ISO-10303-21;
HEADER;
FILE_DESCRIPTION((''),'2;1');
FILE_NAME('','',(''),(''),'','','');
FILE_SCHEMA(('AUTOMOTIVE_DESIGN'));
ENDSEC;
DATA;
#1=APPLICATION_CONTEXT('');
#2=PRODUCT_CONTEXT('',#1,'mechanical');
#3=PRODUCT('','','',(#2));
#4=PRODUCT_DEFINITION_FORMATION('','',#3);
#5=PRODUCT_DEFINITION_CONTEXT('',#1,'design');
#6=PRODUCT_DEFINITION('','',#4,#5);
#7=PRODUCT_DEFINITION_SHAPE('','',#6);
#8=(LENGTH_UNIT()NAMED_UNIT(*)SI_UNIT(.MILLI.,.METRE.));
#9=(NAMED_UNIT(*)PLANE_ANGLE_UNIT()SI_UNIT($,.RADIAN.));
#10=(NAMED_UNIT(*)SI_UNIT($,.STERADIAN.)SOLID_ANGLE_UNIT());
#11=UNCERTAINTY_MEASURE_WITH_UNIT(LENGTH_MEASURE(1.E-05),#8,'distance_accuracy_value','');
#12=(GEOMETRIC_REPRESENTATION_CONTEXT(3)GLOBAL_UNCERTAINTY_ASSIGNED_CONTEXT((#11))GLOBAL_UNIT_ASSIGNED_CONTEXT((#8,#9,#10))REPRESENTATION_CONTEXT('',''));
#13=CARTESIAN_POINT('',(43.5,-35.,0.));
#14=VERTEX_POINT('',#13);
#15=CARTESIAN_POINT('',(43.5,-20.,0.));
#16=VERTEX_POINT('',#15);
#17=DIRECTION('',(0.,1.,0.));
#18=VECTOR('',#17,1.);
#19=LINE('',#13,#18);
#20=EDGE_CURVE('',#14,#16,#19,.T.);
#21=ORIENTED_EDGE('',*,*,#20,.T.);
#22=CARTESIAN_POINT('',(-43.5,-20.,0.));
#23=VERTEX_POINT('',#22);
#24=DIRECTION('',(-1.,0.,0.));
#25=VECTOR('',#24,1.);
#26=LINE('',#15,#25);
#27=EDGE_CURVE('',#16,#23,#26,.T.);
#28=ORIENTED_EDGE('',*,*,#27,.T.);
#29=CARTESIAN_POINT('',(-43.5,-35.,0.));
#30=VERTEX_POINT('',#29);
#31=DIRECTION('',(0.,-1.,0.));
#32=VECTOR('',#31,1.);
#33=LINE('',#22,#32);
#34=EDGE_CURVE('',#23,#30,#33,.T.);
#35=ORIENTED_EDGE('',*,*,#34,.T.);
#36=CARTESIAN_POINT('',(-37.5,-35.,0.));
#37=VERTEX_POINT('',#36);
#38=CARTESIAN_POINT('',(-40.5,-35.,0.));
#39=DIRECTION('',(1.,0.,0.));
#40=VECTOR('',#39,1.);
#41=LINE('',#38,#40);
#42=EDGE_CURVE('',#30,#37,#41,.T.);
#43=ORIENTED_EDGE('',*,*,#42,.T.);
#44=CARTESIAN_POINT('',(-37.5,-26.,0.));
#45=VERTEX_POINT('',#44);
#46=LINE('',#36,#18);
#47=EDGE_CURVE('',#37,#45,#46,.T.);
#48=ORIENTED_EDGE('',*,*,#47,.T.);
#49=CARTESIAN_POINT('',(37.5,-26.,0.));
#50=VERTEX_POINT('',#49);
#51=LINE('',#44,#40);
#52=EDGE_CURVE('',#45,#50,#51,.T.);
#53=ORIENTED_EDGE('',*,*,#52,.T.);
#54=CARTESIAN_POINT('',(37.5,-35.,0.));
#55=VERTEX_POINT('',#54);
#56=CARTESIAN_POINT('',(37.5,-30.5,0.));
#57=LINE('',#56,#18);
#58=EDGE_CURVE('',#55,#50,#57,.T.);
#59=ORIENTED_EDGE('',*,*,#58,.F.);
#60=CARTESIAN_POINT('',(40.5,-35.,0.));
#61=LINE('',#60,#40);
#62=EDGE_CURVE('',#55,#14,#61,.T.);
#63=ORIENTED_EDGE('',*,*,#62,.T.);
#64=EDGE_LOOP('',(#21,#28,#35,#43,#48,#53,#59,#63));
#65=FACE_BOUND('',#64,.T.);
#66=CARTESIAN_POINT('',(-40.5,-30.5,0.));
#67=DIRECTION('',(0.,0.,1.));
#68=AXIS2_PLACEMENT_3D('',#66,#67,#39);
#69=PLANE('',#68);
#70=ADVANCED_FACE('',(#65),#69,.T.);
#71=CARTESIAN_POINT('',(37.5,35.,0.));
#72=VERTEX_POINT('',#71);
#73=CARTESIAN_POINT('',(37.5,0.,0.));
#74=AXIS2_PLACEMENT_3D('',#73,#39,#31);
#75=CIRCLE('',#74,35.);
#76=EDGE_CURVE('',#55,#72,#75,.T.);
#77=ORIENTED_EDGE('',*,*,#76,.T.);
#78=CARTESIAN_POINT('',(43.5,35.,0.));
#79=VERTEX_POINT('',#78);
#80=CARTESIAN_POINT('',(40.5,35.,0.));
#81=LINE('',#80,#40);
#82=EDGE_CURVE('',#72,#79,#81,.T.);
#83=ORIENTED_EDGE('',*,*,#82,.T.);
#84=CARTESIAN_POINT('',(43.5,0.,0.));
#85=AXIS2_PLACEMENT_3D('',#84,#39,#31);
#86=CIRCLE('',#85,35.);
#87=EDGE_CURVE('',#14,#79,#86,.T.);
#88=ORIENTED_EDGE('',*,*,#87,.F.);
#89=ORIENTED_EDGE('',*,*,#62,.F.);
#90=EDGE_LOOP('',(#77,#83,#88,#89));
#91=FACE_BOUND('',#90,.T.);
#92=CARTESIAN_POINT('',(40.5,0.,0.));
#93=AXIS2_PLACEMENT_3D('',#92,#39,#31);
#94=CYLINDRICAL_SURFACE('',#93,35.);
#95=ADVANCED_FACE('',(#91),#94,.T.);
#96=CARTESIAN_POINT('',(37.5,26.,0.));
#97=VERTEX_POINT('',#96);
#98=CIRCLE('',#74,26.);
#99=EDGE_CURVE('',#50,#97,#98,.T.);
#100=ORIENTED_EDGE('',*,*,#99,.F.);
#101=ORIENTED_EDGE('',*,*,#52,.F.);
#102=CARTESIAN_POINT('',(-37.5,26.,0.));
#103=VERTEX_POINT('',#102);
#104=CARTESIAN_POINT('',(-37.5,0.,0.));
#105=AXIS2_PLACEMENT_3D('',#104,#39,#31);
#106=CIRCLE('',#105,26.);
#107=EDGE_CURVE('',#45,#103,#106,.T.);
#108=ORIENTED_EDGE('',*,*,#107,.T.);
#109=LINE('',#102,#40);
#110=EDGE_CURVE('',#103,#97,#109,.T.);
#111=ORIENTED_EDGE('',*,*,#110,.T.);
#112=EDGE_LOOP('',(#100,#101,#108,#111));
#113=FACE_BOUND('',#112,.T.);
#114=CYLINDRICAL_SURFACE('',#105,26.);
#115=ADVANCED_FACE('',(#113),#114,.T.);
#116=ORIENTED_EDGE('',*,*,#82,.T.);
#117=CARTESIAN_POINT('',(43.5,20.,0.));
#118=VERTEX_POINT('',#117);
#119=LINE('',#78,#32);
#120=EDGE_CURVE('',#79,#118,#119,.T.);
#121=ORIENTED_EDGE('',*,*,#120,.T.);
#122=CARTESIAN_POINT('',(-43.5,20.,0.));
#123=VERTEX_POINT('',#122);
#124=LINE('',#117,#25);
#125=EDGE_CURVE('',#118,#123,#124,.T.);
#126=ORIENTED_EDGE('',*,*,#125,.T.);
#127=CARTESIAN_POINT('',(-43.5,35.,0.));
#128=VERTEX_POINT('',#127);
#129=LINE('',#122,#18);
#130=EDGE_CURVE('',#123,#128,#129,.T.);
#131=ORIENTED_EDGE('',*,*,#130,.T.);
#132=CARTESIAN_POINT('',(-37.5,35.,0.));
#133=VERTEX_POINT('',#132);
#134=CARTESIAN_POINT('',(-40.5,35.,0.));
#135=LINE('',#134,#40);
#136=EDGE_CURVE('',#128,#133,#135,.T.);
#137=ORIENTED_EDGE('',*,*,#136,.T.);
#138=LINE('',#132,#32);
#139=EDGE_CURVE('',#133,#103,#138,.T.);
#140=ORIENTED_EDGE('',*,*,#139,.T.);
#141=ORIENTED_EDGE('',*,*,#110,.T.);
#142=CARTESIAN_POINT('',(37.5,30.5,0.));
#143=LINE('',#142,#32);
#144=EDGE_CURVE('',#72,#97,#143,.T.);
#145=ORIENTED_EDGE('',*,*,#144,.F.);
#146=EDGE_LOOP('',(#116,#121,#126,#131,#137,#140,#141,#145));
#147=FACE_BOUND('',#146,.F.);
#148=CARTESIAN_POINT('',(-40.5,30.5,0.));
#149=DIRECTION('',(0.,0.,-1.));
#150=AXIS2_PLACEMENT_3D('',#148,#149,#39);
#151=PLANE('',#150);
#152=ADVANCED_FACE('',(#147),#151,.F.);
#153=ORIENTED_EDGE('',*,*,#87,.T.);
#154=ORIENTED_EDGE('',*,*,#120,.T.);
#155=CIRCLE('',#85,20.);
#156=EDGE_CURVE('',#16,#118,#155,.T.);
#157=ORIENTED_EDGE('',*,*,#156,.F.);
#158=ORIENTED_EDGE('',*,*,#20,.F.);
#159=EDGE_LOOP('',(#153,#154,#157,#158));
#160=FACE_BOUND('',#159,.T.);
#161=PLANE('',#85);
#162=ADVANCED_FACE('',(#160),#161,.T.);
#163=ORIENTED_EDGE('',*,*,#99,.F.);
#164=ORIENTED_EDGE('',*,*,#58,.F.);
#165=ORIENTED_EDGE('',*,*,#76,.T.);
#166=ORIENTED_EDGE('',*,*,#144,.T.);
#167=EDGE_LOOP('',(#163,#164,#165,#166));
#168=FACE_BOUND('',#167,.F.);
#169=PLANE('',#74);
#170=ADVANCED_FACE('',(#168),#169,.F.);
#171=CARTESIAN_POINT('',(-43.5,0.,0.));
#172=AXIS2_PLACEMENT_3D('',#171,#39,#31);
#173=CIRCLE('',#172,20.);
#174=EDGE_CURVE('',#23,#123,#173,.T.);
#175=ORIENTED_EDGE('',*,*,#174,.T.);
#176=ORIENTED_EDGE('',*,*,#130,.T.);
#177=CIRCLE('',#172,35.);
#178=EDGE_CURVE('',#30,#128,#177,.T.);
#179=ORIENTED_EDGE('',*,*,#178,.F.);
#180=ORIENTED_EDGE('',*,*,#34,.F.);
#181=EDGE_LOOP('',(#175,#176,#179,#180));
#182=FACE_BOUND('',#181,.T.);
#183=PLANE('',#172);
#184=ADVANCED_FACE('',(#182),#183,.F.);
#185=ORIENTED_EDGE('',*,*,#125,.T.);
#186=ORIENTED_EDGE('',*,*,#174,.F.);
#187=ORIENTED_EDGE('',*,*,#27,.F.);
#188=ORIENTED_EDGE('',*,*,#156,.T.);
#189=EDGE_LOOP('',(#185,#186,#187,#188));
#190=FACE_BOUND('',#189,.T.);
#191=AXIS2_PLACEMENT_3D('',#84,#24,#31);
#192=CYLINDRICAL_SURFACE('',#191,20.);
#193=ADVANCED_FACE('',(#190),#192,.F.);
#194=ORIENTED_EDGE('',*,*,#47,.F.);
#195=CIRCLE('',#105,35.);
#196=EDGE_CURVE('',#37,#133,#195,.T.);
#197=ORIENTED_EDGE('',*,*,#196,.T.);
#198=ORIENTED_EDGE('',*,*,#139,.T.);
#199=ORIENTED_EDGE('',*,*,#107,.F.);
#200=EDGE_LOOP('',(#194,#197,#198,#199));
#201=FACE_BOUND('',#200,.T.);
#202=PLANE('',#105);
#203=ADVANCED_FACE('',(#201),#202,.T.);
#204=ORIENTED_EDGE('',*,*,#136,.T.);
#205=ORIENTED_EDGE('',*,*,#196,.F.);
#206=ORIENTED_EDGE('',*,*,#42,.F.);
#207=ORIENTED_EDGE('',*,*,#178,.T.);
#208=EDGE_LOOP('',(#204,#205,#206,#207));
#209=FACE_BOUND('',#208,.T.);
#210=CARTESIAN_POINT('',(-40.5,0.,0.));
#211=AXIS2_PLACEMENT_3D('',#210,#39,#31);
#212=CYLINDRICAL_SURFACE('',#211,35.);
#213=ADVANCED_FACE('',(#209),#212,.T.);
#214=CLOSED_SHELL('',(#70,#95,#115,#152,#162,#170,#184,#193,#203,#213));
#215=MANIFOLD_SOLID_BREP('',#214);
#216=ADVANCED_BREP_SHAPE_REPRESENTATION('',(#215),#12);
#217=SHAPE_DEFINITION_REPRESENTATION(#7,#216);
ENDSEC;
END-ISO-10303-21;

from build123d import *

# Parameters (mm, degrees)
F0_W     = 6
F0_H     = 9
F0_H_2   = 6
F0_W_2   = 75
F1_ANGLE = 180


with BuildPart() as f1:
    # F0 (on Top) → F1 (revolve)
    with BuildSketch(Plane.XY):
        with Locations((-40.5, -30.5)):
            Rectangle(F0_W, F0_H)
        with Locations((-40.5, -23)):
            Rectangle(F0_W, F0_H_2)
        with Locations((0, -23)):
            Rectangle(F0_W_2, F0_H_2)
        with Locations((40.5, -23)):
            Rectangle(F0_W, F0_H_2)
        with Locations((40.5, -30.5)):
            Rectangle(F0_W, F0_H)
    revolve(axis=Axis((2.968587, 0, 0), (1, 0, 0)), revolution_arc=F1_ANGLE)


solid = f1.part
